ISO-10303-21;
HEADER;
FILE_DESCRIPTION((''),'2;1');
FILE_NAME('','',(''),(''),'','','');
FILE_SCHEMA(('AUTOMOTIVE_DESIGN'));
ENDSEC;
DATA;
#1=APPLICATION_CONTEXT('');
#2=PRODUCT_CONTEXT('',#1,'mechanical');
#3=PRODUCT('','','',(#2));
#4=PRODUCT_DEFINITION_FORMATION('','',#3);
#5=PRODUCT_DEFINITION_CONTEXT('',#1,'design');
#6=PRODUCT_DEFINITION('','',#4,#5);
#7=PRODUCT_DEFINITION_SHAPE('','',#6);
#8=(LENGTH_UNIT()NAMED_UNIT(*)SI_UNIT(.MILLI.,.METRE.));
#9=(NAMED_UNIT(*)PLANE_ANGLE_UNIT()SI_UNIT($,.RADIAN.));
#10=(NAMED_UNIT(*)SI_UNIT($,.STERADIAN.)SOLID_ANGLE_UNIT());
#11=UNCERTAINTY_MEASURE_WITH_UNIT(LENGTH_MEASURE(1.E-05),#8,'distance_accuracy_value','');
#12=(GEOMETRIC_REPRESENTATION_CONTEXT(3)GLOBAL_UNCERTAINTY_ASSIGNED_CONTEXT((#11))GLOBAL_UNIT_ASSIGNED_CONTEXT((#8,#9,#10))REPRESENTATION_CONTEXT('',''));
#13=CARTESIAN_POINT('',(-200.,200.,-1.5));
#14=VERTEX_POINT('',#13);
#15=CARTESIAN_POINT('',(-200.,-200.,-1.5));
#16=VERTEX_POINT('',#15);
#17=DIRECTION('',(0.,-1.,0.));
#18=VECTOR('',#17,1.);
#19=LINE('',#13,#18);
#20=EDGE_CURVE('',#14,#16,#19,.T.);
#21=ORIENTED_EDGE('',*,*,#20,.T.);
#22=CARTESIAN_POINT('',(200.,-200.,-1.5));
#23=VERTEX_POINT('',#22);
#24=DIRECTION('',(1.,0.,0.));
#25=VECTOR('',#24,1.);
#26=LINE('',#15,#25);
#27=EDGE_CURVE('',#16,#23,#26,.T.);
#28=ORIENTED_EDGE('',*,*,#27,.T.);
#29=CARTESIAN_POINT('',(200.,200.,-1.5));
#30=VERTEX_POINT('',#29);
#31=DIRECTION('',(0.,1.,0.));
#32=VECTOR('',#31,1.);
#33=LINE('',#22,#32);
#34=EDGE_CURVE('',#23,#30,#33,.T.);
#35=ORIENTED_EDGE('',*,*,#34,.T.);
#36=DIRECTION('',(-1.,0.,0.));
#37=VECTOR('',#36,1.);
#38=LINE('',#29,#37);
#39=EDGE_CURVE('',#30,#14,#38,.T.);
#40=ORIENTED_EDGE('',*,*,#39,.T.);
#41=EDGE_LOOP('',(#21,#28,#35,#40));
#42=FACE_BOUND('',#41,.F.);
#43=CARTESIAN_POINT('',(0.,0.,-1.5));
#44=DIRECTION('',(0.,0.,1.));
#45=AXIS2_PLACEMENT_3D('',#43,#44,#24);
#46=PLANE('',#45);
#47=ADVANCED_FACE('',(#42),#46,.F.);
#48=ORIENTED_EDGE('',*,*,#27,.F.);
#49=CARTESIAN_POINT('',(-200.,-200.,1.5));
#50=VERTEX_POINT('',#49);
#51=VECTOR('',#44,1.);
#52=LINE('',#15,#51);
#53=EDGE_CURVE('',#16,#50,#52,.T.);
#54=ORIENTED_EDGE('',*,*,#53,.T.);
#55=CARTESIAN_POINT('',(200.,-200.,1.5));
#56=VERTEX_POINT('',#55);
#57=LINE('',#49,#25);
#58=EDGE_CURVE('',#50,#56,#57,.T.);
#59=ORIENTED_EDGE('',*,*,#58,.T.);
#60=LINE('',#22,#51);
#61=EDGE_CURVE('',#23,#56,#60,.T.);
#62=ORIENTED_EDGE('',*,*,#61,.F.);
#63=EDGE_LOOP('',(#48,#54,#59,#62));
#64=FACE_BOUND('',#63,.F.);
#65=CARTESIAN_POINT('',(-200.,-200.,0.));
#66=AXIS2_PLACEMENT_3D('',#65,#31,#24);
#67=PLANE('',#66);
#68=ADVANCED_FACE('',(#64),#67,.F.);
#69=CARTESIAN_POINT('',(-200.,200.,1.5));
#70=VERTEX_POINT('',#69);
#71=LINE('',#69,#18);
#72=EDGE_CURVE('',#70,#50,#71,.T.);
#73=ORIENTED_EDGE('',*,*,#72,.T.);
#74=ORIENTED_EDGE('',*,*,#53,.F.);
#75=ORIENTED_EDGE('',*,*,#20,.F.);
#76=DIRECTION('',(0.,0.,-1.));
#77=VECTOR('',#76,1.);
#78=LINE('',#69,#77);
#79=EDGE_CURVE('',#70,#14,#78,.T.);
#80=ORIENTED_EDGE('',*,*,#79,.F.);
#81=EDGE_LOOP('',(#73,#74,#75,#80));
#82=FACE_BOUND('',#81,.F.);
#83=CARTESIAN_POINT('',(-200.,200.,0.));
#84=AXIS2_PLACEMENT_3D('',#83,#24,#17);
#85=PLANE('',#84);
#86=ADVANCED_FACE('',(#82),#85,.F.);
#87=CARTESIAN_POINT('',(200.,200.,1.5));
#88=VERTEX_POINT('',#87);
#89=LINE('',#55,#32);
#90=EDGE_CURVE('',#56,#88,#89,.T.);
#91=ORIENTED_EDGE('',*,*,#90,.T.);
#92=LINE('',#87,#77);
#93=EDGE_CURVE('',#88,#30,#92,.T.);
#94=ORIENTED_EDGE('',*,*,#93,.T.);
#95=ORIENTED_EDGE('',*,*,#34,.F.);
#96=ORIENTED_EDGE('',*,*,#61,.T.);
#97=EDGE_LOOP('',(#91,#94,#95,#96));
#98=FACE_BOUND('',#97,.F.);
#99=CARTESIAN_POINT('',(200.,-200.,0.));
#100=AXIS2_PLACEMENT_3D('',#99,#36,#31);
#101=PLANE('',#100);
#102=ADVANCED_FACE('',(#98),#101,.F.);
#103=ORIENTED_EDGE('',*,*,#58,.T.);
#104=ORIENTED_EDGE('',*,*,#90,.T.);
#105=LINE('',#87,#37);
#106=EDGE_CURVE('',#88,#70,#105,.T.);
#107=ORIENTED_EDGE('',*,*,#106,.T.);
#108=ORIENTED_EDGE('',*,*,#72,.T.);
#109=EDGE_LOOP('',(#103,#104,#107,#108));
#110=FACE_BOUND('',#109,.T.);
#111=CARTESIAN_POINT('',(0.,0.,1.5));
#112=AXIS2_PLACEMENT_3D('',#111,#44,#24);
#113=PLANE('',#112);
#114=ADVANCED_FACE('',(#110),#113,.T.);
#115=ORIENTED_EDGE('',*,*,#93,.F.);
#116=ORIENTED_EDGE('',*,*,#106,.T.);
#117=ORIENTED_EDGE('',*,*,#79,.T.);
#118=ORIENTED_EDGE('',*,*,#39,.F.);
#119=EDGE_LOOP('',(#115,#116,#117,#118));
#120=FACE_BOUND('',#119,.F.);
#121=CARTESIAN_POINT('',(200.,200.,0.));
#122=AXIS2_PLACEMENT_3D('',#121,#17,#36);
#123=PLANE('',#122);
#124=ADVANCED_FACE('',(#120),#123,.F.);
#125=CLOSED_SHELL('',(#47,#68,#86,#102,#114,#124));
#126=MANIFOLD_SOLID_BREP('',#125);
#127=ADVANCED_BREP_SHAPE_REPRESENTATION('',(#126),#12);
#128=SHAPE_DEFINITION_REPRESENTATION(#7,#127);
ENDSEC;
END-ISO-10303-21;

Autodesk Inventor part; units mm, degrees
ref_plane "YZ Plane" through (0, 0, 0) normal (1, 0, 0) x (0, 1, 0)
ref_plane "XZ Plane" through (0, 0, 0) normal (0, 1, 0) x (-1, 0, 0)
ref_plane "XY Plane" through (0, 0, 0) normal (0, 0, 1) x (1, 0, 0)
sketch "Sketch1" plane through (0, 0, 0) normal (0, 0, 1) x (1, 0, 0)
  line L0 (-200, -200) -> (200, -200)
  line L1 (200, -200) -> (200, 200)
  line L2 (200, 200) -> (-200, 200)
  line L3 (-200, 200) -> (-200, -200)
  line L4 (-200, -200) -> (200, 200) construction
  line L5 (200, -200) -> (-200, 200) construction
  point P0 (0, 0)
  dimension "d0" = 400
  dimension "d1" = 400
extrude "Extrusion1" add sketch "Sketch1" along normal mid plane 3
properties part number "Tapa base"
